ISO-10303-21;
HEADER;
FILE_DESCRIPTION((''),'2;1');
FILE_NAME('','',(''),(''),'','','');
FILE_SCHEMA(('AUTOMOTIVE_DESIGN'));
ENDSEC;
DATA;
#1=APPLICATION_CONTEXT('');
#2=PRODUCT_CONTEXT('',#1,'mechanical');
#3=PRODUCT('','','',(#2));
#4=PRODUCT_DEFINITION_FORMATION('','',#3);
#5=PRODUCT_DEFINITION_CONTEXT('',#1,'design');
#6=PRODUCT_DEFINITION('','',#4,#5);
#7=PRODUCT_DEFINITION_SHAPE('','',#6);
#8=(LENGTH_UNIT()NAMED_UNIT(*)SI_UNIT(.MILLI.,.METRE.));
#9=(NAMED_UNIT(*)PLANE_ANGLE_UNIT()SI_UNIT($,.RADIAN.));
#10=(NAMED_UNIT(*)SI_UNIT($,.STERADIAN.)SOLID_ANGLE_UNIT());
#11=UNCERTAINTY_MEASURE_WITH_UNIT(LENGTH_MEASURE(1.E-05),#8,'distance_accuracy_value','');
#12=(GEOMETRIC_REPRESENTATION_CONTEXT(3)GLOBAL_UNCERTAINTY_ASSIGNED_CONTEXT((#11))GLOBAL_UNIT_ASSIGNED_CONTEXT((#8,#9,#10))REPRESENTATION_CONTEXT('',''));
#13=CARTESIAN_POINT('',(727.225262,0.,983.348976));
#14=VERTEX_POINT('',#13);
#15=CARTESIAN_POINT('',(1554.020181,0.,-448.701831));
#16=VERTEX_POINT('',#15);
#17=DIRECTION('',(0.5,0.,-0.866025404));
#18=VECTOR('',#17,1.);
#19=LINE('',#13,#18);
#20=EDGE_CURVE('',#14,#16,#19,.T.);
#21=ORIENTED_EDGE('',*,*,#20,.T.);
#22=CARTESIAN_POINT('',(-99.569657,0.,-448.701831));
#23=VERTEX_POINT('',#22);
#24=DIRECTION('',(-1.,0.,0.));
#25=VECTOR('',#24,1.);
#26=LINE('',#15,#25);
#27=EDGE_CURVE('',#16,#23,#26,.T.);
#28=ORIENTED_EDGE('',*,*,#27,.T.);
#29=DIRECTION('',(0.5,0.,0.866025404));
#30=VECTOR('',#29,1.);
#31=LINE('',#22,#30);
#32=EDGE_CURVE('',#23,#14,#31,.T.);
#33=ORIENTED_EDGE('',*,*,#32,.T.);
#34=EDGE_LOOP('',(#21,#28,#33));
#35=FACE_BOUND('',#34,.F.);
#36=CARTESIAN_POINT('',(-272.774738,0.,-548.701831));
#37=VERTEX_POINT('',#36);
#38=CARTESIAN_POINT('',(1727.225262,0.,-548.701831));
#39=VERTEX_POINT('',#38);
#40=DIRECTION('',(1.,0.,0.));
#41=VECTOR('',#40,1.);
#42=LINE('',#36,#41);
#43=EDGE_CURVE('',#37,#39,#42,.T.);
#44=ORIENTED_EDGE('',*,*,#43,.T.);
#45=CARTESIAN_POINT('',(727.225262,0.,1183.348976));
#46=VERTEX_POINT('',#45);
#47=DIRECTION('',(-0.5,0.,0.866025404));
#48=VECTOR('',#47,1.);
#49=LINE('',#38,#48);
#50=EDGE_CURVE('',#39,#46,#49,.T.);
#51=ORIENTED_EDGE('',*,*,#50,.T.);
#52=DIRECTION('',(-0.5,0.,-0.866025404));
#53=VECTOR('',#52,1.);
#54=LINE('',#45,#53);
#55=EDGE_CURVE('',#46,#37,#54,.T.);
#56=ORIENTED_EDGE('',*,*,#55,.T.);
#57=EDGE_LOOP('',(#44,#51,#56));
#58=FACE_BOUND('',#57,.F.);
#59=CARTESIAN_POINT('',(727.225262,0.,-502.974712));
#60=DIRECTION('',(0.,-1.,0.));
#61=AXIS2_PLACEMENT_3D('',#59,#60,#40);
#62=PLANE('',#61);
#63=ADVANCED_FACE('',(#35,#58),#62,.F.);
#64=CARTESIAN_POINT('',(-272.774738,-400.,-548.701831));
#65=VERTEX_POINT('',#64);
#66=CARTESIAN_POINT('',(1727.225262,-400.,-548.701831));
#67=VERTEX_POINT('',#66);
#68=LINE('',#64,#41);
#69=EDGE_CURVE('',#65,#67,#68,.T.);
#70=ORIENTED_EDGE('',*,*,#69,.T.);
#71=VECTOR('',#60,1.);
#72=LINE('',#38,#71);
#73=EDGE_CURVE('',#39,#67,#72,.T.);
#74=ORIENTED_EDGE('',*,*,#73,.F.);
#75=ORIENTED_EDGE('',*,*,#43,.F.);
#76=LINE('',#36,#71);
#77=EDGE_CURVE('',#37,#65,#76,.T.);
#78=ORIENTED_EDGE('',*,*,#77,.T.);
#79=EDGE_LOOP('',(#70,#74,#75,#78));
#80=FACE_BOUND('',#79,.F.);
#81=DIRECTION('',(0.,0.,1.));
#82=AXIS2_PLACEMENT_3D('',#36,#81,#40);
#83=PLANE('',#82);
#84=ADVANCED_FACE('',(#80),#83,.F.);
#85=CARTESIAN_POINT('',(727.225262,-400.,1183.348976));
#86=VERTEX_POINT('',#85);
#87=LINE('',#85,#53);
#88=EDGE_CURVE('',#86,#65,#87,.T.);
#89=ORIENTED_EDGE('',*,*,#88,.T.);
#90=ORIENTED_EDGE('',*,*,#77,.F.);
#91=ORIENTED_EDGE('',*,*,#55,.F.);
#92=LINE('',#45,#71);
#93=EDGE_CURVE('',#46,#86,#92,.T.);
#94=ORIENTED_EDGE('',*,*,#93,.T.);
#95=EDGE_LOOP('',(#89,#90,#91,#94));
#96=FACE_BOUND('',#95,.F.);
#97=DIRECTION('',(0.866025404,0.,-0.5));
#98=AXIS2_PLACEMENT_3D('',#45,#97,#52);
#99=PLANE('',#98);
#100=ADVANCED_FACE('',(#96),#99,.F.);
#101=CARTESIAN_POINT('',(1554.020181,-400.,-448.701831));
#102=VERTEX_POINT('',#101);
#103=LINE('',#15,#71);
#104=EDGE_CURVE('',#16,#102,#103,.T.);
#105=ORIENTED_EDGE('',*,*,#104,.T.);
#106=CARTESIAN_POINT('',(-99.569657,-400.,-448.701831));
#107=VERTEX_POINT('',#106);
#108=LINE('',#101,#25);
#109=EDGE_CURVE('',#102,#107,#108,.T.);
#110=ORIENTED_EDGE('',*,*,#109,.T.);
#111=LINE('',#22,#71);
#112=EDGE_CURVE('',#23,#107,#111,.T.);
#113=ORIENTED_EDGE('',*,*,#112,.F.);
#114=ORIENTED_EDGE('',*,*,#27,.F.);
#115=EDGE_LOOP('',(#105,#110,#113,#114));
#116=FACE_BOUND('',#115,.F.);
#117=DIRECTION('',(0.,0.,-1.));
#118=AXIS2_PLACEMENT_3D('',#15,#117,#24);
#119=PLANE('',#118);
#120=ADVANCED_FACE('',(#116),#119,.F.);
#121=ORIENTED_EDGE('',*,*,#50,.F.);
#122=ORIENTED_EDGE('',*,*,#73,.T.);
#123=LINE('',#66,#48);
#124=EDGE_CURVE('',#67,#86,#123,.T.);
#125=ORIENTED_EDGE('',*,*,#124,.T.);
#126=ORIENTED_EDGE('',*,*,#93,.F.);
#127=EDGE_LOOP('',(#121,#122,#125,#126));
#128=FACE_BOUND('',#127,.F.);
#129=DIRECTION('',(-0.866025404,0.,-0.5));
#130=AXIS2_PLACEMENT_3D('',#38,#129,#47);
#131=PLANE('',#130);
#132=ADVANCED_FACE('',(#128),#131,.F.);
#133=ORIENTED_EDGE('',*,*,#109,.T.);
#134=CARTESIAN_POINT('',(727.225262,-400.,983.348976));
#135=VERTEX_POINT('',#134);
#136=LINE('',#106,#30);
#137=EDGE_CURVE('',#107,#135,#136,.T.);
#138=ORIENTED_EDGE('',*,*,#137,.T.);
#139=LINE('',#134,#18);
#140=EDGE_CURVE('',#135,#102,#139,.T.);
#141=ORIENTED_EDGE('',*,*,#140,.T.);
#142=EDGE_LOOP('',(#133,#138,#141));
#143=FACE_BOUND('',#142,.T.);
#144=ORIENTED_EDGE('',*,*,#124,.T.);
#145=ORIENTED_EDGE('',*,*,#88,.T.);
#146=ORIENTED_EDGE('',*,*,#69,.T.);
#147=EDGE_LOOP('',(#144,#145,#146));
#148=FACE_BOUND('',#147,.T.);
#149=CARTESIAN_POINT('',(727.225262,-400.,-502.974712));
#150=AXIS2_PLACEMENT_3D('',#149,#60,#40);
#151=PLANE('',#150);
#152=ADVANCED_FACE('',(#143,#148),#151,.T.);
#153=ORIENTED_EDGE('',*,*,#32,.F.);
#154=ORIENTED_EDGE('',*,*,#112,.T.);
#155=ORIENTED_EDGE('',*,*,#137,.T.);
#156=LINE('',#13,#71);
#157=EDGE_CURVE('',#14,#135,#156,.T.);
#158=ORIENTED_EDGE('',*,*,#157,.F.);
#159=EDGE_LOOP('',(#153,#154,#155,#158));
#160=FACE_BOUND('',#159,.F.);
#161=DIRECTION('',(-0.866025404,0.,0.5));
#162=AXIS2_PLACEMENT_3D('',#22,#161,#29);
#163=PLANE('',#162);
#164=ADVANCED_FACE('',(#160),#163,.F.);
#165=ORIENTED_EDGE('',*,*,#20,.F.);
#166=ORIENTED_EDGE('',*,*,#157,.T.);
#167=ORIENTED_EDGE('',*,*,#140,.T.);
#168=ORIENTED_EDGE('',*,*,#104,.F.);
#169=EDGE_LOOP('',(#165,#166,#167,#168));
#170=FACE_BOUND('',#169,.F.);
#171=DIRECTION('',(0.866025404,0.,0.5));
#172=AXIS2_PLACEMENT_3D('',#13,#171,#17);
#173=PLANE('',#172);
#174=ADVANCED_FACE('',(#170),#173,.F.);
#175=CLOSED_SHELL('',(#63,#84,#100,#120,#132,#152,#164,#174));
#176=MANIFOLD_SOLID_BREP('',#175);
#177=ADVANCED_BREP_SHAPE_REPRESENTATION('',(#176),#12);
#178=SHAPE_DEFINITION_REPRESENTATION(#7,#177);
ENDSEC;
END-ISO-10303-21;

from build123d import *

# Parameters (mm, degrees)
F1_DEPTH = 400


with BuildPart() as f1:
    # F0 (on Front) → F1 (new body)
    with BuildSketch(Plane.XZ):
        Polygon((-99.569657, -448.701831), (-272.774738, -548.701831), (1727.225262, -548.701831), (1554.020181, -448.701831), align=None)
        Polygon((727.225262, 1183.348976), (-272.774738, -548.701831), (-99.569657, -448.701831), (727.225262, 983.348976), align=None)
        Polygon((1554.020181, -448.701831), (1727.225262, -548.701831), (727.225262, 1183.348976), (727.225262, 983.348976), align=None)
    extrude(amount=F1_DEPTH)


solid = f1.part
